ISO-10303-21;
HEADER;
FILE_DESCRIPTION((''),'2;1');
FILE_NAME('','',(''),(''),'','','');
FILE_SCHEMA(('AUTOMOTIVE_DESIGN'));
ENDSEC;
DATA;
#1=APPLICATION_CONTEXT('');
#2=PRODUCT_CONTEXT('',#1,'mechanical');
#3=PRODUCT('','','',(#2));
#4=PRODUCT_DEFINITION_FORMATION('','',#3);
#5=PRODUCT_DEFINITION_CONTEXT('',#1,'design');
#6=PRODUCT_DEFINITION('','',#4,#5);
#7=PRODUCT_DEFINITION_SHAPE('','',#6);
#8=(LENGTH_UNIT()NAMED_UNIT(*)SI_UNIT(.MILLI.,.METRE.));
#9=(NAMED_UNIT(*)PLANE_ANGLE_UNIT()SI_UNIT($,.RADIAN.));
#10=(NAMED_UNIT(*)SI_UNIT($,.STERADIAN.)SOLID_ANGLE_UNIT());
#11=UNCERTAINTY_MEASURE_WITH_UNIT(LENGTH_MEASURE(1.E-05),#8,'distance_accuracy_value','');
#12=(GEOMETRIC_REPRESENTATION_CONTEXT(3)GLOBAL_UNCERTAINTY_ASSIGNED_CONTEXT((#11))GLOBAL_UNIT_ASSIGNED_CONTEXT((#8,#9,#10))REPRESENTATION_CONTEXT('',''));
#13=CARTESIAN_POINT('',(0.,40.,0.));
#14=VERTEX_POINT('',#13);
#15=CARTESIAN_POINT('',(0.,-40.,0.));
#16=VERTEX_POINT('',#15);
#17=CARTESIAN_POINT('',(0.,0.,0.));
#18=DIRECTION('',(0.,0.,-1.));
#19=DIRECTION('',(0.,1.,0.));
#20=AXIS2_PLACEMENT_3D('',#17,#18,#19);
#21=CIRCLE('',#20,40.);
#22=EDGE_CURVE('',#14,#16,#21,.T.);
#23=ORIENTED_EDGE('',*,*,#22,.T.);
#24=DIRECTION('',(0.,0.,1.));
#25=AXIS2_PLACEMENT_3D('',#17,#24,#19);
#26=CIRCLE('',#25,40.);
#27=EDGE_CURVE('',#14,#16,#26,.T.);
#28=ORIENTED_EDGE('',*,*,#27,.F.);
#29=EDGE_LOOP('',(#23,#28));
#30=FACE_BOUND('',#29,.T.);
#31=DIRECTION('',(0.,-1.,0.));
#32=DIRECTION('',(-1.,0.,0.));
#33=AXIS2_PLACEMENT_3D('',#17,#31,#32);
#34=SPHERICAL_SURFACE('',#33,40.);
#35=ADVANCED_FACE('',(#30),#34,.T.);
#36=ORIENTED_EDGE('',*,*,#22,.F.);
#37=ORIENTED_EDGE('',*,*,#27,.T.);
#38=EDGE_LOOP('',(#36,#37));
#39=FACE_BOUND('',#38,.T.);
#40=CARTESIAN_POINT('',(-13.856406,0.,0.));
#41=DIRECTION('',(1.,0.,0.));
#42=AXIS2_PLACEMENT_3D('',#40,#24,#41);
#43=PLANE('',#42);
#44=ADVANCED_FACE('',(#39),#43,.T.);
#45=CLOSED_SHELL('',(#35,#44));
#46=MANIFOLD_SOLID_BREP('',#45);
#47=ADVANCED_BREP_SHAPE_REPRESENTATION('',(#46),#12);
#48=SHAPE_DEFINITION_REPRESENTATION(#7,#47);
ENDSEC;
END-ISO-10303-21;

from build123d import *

# Parameters (mm, degrees)
F1_ANGLE = 180


with BuildPart() as f1:
    # F0 (on Top) → F1 (revolve)
    with BuildSketch(Plane.XY):
        with BuildLine():
            Line((0, 0), (0, 40))
            ThreePointArc((0, 40), (-40, 0), (0, -40))
            Line((0, -40), (0, 0))
        make_face()
    revolve(axis=Axis((0, -20, 0), (0, -1, 0)), revolution_arc=F1_ANGLE)


solid = f1.part
